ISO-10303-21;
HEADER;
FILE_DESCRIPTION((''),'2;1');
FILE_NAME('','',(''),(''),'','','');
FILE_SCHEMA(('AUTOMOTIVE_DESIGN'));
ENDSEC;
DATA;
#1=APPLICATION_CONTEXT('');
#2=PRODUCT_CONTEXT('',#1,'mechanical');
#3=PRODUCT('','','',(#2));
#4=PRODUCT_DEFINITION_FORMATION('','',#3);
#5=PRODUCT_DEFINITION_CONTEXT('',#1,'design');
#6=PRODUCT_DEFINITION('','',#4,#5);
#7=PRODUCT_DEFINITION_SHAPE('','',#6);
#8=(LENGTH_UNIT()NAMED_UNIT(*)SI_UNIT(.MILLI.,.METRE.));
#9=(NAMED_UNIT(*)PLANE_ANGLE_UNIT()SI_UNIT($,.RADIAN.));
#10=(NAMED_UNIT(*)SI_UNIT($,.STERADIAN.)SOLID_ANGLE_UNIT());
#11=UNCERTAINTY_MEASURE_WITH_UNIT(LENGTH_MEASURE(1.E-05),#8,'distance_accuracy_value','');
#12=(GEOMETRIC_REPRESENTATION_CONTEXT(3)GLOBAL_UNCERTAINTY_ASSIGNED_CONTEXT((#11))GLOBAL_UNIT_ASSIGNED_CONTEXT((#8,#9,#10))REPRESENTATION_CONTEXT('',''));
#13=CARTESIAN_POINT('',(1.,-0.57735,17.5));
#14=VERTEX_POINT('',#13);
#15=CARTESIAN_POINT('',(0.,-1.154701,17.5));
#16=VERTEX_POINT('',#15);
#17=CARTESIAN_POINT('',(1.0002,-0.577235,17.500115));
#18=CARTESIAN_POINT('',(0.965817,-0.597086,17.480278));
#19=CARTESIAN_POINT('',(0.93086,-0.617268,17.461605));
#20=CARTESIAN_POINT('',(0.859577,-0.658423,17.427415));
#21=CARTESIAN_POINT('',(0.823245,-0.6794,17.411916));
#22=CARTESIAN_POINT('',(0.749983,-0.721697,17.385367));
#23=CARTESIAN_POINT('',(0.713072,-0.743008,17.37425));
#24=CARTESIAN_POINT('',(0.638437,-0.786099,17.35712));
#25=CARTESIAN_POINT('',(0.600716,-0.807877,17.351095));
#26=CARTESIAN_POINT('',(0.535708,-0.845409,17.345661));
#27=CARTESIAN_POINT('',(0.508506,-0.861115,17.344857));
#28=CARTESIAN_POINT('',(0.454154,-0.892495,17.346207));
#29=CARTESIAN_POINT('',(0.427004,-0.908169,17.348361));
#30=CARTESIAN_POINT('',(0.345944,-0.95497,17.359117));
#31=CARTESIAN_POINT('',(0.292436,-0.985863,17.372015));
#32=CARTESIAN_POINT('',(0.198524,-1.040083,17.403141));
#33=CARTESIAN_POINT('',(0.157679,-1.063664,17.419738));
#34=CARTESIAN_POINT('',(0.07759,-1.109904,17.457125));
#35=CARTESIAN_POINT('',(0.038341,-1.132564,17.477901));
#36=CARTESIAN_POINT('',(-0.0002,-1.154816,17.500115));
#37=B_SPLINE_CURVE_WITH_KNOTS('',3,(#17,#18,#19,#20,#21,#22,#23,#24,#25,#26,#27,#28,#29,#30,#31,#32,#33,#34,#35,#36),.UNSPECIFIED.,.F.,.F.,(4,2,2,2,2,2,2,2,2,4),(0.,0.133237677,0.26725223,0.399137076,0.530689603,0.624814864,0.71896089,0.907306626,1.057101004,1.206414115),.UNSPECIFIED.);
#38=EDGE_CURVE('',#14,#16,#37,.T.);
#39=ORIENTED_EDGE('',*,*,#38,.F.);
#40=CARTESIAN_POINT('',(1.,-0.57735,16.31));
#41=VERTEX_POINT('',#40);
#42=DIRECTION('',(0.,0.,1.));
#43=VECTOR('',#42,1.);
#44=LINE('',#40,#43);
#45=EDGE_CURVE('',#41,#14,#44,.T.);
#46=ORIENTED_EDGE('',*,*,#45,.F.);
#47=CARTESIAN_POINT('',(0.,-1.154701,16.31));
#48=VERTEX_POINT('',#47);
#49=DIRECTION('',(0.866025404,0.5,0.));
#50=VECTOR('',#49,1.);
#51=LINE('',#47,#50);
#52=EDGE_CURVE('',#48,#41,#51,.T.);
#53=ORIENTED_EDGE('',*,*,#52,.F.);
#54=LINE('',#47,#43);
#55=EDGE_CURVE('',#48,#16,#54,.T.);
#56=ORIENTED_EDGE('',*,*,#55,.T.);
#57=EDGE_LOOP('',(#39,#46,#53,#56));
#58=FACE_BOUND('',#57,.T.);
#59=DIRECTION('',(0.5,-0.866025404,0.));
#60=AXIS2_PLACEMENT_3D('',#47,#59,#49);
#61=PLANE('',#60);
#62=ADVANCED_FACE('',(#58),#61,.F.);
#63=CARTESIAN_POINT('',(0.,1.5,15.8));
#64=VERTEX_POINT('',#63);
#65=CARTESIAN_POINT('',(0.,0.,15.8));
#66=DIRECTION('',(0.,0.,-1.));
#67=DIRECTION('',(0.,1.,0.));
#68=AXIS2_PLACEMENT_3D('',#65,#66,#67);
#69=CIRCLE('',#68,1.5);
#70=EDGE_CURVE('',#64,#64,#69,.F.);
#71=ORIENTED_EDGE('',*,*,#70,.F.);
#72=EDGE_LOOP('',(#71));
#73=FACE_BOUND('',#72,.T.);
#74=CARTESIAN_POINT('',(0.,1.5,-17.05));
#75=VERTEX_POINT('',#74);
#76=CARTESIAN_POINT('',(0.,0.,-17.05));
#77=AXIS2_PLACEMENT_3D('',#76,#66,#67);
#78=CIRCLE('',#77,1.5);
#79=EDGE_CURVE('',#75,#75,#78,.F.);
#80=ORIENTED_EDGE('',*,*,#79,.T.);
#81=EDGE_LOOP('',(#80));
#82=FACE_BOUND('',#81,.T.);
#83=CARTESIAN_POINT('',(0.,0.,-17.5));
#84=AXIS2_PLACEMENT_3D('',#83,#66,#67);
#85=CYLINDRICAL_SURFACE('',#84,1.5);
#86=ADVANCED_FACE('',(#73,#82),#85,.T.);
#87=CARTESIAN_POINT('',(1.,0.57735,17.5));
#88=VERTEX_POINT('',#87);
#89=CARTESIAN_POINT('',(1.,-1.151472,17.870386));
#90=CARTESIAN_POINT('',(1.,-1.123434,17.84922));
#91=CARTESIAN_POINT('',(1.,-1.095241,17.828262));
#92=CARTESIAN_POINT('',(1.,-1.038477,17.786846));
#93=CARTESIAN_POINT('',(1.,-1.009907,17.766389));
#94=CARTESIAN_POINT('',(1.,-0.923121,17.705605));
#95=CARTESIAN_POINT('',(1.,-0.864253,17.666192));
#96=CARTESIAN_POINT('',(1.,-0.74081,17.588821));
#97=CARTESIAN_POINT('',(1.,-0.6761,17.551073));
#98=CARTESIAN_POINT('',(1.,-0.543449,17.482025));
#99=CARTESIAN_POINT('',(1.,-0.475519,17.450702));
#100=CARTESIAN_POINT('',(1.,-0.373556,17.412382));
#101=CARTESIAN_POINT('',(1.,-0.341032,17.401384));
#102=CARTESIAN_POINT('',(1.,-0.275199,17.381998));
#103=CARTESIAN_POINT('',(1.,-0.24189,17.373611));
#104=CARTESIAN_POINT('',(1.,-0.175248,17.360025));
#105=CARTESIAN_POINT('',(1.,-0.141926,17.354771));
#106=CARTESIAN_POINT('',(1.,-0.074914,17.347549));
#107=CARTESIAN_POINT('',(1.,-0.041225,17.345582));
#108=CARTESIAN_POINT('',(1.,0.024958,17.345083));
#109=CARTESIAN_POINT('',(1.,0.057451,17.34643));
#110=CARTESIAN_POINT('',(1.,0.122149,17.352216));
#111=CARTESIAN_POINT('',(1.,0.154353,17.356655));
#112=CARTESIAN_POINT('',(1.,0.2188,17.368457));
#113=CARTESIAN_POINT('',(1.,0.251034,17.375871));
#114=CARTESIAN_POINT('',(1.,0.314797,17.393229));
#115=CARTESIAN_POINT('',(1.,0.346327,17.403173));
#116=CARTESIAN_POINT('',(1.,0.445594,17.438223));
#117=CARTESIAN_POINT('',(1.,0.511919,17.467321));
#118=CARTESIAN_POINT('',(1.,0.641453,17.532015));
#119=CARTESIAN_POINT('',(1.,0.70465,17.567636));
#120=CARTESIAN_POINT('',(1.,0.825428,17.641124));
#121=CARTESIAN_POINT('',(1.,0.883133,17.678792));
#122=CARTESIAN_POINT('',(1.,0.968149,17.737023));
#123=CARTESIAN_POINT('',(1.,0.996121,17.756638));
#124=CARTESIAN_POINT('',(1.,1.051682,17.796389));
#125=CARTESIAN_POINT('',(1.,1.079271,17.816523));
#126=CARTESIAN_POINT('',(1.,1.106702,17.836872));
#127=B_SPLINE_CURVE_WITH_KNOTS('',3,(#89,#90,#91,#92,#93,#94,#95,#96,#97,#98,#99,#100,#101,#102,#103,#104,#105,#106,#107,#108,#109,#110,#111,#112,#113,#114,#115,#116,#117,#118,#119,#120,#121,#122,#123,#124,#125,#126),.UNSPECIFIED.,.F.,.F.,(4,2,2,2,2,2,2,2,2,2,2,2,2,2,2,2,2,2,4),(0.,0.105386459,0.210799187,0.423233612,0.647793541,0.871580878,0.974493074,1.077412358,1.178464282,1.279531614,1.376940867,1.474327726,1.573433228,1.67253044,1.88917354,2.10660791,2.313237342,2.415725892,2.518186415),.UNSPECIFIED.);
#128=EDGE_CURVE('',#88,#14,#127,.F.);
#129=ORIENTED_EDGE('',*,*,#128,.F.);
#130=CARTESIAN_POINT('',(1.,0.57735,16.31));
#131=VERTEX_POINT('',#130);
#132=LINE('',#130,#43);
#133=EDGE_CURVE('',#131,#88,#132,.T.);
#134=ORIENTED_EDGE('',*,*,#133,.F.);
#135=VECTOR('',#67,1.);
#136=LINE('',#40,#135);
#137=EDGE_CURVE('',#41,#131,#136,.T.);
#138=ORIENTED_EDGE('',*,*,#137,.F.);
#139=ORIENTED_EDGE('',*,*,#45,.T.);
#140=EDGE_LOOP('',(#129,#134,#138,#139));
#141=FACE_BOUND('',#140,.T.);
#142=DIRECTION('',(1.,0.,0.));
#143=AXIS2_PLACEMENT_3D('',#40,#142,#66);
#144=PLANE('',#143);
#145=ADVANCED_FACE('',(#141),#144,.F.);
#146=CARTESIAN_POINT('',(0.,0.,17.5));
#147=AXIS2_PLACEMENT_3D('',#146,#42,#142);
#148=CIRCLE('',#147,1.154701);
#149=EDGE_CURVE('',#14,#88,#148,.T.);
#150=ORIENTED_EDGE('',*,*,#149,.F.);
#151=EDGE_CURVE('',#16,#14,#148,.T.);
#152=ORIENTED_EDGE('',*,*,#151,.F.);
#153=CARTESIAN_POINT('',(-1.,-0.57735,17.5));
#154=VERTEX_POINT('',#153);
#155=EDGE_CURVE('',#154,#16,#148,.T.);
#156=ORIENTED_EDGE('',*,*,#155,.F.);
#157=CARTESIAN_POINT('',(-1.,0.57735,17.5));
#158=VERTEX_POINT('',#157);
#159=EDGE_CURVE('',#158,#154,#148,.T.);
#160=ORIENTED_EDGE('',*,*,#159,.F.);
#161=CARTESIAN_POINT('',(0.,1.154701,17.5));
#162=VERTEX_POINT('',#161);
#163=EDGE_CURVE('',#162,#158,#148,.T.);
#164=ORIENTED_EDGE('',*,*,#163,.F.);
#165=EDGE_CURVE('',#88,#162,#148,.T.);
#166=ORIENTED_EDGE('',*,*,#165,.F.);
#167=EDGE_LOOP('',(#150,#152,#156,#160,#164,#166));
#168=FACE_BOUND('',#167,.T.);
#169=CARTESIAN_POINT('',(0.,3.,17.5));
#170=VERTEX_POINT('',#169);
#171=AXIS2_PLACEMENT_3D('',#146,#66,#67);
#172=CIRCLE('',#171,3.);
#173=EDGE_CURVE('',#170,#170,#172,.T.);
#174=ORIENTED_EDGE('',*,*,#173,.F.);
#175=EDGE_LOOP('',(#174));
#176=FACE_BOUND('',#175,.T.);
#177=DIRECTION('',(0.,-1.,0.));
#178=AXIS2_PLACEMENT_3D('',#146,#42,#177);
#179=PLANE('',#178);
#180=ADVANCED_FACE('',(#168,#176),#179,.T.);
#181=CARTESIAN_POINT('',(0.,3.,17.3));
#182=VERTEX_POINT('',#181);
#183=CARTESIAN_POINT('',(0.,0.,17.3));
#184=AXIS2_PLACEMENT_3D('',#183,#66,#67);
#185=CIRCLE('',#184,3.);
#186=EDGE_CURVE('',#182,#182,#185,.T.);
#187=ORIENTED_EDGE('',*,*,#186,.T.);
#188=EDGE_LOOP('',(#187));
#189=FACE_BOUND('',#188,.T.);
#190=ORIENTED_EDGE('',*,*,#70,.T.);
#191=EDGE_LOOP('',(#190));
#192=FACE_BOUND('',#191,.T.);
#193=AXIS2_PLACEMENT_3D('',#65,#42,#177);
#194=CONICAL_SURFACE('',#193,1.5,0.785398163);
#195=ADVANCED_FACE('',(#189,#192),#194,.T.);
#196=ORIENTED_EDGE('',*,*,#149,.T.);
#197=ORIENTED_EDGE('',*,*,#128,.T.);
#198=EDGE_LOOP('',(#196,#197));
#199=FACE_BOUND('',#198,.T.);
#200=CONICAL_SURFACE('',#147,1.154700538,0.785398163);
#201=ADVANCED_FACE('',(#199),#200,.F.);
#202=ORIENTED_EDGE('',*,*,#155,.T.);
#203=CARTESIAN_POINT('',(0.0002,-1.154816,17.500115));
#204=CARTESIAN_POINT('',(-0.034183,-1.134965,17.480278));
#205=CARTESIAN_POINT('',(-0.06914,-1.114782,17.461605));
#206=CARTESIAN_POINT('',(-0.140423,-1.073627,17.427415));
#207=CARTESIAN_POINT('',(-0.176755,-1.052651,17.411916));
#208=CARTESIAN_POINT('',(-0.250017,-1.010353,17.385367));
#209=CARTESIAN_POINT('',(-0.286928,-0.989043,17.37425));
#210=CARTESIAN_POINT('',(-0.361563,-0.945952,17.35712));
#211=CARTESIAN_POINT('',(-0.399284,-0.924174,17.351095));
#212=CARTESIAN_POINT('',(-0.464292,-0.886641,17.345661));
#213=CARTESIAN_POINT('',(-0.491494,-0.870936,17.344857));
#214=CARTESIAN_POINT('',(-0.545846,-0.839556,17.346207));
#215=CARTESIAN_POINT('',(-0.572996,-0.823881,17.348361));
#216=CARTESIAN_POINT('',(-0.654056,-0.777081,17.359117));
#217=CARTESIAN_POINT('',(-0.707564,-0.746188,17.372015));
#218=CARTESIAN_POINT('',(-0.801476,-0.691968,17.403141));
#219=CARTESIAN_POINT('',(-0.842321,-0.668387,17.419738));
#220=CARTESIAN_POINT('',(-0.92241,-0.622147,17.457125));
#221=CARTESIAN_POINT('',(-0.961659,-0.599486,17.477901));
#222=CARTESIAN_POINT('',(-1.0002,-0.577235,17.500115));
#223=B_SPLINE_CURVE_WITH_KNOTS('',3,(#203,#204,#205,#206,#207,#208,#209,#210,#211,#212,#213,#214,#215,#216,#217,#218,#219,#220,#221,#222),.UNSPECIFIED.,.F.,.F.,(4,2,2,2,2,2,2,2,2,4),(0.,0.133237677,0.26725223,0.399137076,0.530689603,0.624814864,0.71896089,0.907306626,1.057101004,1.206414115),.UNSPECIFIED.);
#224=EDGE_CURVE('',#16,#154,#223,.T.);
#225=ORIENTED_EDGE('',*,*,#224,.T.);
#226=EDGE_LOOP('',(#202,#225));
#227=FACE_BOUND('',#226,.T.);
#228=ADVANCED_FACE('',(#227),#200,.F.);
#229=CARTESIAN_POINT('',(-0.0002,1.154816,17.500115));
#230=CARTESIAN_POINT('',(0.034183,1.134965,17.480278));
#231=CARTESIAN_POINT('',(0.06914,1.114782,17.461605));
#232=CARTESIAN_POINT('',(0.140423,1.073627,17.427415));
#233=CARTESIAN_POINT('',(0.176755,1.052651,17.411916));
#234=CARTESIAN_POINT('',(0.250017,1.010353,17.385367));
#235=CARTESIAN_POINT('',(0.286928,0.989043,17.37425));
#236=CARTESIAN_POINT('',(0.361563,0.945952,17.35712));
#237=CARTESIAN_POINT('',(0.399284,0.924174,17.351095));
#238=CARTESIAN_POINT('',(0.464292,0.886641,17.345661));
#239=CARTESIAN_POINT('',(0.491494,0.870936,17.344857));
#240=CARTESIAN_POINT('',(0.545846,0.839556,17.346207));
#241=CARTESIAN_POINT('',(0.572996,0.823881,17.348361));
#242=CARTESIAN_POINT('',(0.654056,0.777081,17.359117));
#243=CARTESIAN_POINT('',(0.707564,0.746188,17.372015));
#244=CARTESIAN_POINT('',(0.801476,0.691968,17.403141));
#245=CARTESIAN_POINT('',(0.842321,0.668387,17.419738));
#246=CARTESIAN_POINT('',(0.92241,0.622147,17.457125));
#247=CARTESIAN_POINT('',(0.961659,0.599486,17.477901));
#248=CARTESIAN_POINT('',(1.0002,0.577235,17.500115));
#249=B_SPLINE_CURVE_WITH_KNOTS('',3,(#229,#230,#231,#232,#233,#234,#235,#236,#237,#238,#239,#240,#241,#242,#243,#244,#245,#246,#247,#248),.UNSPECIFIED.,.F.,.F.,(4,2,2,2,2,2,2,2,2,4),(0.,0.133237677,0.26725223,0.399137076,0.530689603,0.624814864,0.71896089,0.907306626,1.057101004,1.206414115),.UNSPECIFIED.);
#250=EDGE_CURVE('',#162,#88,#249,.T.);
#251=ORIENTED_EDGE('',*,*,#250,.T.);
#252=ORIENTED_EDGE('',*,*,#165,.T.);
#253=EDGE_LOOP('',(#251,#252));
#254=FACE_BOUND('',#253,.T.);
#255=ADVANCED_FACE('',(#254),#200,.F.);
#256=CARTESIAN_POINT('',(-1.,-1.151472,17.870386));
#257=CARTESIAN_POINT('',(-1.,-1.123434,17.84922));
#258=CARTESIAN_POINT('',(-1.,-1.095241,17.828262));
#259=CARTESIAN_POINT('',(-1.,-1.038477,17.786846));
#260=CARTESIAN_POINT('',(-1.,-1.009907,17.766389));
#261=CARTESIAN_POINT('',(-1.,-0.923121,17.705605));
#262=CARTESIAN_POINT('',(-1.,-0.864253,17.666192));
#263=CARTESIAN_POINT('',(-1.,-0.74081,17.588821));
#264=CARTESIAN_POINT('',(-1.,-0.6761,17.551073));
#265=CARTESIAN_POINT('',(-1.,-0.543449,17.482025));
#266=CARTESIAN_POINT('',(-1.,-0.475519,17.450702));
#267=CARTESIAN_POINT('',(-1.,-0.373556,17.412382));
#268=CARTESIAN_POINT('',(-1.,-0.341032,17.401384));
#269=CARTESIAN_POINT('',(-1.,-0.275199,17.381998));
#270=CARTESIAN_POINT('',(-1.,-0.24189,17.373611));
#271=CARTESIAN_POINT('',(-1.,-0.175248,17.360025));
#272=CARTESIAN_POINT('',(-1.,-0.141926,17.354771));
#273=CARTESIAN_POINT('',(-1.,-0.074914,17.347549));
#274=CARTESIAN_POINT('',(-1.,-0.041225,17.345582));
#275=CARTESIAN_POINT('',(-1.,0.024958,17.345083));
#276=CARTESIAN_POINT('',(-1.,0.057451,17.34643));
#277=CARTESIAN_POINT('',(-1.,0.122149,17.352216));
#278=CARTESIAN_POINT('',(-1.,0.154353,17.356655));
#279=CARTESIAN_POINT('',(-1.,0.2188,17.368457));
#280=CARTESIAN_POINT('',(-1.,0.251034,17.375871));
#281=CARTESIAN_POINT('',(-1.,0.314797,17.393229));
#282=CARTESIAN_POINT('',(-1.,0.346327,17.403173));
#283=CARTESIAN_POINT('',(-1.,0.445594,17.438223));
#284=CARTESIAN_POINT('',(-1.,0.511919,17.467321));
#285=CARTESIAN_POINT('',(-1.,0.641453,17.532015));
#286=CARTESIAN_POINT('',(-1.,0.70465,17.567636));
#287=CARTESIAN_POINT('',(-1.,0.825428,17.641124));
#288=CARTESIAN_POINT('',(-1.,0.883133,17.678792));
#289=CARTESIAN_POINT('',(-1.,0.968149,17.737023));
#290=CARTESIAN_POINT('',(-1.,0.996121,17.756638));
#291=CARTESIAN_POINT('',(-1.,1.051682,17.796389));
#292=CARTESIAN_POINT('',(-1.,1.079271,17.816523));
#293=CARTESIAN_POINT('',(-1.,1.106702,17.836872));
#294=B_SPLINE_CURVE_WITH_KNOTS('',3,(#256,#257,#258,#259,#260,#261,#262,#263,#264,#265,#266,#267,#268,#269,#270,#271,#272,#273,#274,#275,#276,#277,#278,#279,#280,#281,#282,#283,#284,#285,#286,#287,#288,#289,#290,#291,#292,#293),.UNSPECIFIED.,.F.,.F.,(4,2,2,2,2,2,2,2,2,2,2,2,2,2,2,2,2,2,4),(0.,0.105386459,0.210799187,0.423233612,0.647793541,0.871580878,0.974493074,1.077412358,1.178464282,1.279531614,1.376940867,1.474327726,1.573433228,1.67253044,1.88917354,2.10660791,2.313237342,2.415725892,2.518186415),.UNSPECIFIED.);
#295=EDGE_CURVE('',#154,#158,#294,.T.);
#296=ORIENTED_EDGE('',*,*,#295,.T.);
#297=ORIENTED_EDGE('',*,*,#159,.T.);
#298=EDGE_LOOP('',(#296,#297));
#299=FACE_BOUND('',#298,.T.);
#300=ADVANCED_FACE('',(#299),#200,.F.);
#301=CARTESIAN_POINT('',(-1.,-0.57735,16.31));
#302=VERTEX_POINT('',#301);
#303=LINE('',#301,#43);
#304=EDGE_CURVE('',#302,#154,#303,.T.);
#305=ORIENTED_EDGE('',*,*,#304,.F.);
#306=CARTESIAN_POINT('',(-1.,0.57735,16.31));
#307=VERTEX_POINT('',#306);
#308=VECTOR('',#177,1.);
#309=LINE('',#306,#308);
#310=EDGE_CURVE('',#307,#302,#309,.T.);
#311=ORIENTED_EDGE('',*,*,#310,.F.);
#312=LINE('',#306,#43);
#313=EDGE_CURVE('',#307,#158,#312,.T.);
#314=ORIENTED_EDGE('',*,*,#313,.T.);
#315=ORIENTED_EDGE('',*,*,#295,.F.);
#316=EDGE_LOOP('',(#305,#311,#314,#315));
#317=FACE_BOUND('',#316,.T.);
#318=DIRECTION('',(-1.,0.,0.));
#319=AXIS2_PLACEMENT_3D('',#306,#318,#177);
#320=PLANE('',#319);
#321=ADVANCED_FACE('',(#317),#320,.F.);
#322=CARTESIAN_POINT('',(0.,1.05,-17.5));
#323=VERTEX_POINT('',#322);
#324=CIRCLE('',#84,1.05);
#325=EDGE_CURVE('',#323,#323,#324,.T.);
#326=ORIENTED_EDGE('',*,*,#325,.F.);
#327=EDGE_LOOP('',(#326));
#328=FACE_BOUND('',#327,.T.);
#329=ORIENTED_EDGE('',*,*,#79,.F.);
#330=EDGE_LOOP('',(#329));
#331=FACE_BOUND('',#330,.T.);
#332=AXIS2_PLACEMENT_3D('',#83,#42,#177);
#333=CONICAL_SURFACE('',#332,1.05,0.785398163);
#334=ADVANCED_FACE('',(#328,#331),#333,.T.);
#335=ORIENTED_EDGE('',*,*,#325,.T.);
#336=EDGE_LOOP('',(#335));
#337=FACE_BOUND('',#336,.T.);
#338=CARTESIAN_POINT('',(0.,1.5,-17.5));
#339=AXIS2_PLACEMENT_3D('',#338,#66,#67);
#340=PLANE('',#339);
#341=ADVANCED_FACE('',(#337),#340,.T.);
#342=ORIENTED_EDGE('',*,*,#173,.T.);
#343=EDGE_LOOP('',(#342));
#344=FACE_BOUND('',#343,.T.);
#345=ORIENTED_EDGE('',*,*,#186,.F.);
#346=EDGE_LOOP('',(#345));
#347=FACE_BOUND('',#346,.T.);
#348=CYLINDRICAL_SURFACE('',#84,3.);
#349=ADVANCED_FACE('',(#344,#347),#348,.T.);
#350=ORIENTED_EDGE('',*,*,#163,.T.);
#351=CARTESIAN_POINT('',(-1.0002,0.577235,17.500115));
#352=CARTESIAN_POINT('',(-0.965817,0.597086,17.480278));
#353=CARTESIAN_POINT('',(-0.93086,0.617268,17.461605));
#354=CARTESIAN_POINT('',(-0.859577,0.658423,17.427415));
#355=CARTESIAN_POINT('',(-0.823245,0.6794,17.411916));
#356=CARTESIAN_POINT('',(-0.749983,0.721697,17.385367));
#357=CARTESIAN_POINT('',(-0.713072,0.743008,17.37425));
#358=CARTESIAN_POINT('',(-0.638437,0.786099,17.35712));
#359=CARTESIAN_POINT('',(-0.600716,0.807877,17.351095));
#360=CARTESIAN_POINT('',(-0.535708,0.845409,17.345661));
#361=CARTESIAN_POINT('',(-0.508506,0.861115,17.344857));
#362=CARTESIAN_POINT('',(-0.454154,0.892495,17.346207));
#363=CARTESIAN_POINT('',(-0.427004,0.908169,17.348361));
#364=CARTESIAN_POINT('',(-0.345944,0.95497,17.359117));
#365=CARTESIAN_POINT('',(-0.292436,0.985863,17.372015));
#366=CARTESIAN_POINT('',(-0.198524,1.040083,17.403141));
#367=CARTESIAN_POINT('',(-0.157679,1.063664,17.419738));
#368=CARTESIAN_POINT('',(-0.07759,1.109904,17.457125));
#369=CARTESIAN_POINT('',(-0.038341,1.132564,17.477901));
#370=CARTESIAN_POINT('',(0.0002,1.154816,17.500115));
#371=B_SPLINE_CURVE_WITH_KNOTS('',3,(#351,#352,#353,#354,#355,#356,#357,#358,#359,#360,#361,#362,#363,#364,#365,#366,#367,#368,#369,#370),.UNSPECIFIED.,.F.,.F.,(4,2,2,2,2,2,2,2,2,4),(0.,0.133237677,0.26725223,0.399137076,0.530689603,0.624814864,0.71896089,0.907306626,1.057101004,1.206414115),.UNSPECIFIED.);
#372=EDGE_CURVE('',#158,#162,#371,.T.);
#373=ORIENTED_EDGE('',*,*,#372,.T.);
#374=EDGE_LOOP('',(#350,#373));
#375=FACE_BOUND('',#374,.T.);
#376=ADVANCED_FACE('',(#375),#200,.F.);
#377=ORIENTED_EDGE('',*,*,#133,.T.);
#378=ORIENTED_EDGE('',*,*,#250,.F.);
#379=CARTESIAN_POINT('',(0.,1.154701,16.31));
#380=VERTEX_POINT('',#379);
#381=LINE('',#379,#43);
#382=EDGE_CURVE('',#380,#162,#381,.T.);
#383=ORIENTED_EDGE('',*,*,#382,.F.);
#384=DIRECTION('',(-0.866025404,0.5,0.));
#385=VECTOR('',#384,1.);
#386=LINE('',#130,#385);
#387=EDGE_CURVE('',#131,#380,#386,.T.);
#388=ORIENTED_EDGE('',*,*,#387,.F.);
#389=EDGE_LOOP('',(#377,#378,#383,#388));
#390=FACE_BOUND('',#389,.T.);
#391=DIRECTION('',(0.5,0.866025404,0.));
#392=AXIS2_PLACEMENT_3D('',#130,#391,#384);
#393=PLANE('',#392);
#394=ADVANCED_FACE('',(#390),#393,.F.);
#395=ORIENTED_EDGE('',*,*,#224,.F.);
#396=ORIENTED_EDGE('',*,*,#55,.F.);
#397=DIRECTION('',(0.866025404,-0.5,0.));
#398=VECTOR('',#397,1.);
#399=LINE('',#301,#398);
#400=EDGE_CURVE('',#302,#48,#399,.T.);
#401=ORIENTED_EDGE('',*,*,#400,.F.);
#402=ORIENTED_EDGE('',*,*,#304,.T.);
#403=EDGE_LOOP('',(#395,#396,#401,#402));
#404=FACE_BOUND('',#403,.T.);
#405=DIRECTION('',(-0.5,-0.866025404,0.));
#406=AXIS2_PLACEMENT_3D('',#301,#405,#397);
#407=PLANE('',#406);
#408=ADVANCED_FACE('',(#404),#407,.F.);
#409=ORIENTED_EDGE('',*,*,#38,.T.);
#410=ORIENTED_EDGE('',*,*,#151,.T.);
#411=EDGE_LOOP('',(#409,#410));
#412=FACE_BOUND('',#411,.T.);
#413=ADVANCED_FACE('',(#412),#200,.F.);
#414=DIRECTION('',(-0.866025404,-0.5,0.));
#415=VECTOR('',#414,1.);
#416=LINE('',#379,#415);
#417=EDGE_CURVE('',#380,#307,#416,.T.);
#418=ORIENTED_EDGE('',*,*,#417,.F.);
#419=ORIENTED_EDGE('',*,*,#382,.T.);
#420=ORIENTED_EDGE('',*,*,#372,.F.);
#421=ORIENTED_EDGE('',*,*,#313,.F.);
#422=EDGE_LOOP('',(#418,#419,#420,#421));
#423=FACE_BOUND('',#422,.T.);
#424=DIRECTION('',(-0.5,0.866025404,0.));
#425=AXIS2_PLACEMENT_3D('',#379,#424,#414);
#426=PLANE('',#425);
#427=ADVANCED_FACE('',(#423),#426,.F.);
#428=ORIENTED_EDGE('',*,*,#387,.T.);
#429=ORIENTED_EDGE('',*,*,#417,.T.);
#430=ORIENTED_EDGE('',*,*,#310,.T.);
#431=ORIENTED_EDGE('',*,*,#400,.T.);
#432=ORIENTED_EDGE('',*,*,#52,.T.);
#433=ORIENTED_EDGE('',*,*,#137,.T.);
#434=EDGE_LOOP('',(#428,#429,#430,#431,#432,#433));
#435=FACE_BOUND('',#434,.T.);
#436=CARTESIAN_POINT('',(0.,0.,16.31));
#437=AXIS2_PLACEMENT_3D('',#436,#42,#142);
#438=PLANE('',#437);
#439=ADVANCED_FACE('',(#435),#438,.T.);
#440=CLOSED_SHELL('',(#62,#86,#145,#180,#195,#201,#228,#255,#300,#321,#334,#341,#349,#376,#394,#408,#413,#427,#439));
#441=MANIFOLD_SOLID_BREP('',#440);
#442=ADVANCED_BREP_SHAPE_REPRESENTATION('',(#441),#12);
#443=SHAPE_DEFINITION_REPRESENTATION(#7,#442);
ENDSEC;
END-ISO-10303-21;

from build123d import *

# Parameters (mm, degrees)
SKETCH3_W          = 35
SKETCH3_H          = 1.5
CHAMFER1_SIZE      = 0.45
CUT_EXTRUDE1_DEPTH = 1.19


with BuildPart() as part:
    # Sketch3 → Revolve1 (revolve)
    with BuildSketch(Plane(origin=(0, 0, 0), x_dir=(0, 0, -1), z_dir=(1, 0, 0))):
        with Locations((0, 0.75)):
            Rectangle(SKETCH3_W, SKETCH3_H)
    revolve(axis=Axis((0, 0, -17.5), (0, 0, 1)))

    # Chamfer1
    chamfer1_edges = [part.edges().sort_by_distance(p)[0] for p in [
        (0, -1.5, -17.5),
    ]]
    chamfer(chamfer1_edges, length=CHAMFER1_SIZE)

    # Sketch6 → Revolve2 (revolve)
    with BuildSketch(Plane(origin=(0, 0, 0), x_dir=(0, 0, -1), z_dir=(1, 0, 0))):
        Polygon((-17.5, 3), (-17.3, 3), (-15.8, 1.5), (-15.8, 0), (-17.5, 0), align=None)
    revolve(axis=Axis((0, 0, -17.5), (0, 0, 1)))

    # Sketch8 → Cut-Extrude1 (cut)
    with BuildSketch(Plane.XY.offset(17.5)):
        Polygon((0, 1.154700538), (-1, 0.577350269), (-1, -0.577350269), (0, -1.154700538), (1, -0.577350269), (1, 0.577350269), align=None)
    extrude(amount=-CUT_EXTRUDE1_DEPTH, mode=Mode.SUBTRACT)

    # Cut-Extrude2 cone 1 section (through the dimple's axis) → Cut-Extrude2 (revolve, cut)
    with BuildSketch(Plane(origin=(0, 0, 17.5), x_dir=(0, -1, 0), z_dir=(1, 0, 0))):
        Polygon((0, 0), (1.154700538, 0), (0, 1.154700538), align=None)
    revolve(axis=Axis((0, 0, 17.5), (0, 0, -1)), mode=Mode.SUBTRACT)


solid = part.part
